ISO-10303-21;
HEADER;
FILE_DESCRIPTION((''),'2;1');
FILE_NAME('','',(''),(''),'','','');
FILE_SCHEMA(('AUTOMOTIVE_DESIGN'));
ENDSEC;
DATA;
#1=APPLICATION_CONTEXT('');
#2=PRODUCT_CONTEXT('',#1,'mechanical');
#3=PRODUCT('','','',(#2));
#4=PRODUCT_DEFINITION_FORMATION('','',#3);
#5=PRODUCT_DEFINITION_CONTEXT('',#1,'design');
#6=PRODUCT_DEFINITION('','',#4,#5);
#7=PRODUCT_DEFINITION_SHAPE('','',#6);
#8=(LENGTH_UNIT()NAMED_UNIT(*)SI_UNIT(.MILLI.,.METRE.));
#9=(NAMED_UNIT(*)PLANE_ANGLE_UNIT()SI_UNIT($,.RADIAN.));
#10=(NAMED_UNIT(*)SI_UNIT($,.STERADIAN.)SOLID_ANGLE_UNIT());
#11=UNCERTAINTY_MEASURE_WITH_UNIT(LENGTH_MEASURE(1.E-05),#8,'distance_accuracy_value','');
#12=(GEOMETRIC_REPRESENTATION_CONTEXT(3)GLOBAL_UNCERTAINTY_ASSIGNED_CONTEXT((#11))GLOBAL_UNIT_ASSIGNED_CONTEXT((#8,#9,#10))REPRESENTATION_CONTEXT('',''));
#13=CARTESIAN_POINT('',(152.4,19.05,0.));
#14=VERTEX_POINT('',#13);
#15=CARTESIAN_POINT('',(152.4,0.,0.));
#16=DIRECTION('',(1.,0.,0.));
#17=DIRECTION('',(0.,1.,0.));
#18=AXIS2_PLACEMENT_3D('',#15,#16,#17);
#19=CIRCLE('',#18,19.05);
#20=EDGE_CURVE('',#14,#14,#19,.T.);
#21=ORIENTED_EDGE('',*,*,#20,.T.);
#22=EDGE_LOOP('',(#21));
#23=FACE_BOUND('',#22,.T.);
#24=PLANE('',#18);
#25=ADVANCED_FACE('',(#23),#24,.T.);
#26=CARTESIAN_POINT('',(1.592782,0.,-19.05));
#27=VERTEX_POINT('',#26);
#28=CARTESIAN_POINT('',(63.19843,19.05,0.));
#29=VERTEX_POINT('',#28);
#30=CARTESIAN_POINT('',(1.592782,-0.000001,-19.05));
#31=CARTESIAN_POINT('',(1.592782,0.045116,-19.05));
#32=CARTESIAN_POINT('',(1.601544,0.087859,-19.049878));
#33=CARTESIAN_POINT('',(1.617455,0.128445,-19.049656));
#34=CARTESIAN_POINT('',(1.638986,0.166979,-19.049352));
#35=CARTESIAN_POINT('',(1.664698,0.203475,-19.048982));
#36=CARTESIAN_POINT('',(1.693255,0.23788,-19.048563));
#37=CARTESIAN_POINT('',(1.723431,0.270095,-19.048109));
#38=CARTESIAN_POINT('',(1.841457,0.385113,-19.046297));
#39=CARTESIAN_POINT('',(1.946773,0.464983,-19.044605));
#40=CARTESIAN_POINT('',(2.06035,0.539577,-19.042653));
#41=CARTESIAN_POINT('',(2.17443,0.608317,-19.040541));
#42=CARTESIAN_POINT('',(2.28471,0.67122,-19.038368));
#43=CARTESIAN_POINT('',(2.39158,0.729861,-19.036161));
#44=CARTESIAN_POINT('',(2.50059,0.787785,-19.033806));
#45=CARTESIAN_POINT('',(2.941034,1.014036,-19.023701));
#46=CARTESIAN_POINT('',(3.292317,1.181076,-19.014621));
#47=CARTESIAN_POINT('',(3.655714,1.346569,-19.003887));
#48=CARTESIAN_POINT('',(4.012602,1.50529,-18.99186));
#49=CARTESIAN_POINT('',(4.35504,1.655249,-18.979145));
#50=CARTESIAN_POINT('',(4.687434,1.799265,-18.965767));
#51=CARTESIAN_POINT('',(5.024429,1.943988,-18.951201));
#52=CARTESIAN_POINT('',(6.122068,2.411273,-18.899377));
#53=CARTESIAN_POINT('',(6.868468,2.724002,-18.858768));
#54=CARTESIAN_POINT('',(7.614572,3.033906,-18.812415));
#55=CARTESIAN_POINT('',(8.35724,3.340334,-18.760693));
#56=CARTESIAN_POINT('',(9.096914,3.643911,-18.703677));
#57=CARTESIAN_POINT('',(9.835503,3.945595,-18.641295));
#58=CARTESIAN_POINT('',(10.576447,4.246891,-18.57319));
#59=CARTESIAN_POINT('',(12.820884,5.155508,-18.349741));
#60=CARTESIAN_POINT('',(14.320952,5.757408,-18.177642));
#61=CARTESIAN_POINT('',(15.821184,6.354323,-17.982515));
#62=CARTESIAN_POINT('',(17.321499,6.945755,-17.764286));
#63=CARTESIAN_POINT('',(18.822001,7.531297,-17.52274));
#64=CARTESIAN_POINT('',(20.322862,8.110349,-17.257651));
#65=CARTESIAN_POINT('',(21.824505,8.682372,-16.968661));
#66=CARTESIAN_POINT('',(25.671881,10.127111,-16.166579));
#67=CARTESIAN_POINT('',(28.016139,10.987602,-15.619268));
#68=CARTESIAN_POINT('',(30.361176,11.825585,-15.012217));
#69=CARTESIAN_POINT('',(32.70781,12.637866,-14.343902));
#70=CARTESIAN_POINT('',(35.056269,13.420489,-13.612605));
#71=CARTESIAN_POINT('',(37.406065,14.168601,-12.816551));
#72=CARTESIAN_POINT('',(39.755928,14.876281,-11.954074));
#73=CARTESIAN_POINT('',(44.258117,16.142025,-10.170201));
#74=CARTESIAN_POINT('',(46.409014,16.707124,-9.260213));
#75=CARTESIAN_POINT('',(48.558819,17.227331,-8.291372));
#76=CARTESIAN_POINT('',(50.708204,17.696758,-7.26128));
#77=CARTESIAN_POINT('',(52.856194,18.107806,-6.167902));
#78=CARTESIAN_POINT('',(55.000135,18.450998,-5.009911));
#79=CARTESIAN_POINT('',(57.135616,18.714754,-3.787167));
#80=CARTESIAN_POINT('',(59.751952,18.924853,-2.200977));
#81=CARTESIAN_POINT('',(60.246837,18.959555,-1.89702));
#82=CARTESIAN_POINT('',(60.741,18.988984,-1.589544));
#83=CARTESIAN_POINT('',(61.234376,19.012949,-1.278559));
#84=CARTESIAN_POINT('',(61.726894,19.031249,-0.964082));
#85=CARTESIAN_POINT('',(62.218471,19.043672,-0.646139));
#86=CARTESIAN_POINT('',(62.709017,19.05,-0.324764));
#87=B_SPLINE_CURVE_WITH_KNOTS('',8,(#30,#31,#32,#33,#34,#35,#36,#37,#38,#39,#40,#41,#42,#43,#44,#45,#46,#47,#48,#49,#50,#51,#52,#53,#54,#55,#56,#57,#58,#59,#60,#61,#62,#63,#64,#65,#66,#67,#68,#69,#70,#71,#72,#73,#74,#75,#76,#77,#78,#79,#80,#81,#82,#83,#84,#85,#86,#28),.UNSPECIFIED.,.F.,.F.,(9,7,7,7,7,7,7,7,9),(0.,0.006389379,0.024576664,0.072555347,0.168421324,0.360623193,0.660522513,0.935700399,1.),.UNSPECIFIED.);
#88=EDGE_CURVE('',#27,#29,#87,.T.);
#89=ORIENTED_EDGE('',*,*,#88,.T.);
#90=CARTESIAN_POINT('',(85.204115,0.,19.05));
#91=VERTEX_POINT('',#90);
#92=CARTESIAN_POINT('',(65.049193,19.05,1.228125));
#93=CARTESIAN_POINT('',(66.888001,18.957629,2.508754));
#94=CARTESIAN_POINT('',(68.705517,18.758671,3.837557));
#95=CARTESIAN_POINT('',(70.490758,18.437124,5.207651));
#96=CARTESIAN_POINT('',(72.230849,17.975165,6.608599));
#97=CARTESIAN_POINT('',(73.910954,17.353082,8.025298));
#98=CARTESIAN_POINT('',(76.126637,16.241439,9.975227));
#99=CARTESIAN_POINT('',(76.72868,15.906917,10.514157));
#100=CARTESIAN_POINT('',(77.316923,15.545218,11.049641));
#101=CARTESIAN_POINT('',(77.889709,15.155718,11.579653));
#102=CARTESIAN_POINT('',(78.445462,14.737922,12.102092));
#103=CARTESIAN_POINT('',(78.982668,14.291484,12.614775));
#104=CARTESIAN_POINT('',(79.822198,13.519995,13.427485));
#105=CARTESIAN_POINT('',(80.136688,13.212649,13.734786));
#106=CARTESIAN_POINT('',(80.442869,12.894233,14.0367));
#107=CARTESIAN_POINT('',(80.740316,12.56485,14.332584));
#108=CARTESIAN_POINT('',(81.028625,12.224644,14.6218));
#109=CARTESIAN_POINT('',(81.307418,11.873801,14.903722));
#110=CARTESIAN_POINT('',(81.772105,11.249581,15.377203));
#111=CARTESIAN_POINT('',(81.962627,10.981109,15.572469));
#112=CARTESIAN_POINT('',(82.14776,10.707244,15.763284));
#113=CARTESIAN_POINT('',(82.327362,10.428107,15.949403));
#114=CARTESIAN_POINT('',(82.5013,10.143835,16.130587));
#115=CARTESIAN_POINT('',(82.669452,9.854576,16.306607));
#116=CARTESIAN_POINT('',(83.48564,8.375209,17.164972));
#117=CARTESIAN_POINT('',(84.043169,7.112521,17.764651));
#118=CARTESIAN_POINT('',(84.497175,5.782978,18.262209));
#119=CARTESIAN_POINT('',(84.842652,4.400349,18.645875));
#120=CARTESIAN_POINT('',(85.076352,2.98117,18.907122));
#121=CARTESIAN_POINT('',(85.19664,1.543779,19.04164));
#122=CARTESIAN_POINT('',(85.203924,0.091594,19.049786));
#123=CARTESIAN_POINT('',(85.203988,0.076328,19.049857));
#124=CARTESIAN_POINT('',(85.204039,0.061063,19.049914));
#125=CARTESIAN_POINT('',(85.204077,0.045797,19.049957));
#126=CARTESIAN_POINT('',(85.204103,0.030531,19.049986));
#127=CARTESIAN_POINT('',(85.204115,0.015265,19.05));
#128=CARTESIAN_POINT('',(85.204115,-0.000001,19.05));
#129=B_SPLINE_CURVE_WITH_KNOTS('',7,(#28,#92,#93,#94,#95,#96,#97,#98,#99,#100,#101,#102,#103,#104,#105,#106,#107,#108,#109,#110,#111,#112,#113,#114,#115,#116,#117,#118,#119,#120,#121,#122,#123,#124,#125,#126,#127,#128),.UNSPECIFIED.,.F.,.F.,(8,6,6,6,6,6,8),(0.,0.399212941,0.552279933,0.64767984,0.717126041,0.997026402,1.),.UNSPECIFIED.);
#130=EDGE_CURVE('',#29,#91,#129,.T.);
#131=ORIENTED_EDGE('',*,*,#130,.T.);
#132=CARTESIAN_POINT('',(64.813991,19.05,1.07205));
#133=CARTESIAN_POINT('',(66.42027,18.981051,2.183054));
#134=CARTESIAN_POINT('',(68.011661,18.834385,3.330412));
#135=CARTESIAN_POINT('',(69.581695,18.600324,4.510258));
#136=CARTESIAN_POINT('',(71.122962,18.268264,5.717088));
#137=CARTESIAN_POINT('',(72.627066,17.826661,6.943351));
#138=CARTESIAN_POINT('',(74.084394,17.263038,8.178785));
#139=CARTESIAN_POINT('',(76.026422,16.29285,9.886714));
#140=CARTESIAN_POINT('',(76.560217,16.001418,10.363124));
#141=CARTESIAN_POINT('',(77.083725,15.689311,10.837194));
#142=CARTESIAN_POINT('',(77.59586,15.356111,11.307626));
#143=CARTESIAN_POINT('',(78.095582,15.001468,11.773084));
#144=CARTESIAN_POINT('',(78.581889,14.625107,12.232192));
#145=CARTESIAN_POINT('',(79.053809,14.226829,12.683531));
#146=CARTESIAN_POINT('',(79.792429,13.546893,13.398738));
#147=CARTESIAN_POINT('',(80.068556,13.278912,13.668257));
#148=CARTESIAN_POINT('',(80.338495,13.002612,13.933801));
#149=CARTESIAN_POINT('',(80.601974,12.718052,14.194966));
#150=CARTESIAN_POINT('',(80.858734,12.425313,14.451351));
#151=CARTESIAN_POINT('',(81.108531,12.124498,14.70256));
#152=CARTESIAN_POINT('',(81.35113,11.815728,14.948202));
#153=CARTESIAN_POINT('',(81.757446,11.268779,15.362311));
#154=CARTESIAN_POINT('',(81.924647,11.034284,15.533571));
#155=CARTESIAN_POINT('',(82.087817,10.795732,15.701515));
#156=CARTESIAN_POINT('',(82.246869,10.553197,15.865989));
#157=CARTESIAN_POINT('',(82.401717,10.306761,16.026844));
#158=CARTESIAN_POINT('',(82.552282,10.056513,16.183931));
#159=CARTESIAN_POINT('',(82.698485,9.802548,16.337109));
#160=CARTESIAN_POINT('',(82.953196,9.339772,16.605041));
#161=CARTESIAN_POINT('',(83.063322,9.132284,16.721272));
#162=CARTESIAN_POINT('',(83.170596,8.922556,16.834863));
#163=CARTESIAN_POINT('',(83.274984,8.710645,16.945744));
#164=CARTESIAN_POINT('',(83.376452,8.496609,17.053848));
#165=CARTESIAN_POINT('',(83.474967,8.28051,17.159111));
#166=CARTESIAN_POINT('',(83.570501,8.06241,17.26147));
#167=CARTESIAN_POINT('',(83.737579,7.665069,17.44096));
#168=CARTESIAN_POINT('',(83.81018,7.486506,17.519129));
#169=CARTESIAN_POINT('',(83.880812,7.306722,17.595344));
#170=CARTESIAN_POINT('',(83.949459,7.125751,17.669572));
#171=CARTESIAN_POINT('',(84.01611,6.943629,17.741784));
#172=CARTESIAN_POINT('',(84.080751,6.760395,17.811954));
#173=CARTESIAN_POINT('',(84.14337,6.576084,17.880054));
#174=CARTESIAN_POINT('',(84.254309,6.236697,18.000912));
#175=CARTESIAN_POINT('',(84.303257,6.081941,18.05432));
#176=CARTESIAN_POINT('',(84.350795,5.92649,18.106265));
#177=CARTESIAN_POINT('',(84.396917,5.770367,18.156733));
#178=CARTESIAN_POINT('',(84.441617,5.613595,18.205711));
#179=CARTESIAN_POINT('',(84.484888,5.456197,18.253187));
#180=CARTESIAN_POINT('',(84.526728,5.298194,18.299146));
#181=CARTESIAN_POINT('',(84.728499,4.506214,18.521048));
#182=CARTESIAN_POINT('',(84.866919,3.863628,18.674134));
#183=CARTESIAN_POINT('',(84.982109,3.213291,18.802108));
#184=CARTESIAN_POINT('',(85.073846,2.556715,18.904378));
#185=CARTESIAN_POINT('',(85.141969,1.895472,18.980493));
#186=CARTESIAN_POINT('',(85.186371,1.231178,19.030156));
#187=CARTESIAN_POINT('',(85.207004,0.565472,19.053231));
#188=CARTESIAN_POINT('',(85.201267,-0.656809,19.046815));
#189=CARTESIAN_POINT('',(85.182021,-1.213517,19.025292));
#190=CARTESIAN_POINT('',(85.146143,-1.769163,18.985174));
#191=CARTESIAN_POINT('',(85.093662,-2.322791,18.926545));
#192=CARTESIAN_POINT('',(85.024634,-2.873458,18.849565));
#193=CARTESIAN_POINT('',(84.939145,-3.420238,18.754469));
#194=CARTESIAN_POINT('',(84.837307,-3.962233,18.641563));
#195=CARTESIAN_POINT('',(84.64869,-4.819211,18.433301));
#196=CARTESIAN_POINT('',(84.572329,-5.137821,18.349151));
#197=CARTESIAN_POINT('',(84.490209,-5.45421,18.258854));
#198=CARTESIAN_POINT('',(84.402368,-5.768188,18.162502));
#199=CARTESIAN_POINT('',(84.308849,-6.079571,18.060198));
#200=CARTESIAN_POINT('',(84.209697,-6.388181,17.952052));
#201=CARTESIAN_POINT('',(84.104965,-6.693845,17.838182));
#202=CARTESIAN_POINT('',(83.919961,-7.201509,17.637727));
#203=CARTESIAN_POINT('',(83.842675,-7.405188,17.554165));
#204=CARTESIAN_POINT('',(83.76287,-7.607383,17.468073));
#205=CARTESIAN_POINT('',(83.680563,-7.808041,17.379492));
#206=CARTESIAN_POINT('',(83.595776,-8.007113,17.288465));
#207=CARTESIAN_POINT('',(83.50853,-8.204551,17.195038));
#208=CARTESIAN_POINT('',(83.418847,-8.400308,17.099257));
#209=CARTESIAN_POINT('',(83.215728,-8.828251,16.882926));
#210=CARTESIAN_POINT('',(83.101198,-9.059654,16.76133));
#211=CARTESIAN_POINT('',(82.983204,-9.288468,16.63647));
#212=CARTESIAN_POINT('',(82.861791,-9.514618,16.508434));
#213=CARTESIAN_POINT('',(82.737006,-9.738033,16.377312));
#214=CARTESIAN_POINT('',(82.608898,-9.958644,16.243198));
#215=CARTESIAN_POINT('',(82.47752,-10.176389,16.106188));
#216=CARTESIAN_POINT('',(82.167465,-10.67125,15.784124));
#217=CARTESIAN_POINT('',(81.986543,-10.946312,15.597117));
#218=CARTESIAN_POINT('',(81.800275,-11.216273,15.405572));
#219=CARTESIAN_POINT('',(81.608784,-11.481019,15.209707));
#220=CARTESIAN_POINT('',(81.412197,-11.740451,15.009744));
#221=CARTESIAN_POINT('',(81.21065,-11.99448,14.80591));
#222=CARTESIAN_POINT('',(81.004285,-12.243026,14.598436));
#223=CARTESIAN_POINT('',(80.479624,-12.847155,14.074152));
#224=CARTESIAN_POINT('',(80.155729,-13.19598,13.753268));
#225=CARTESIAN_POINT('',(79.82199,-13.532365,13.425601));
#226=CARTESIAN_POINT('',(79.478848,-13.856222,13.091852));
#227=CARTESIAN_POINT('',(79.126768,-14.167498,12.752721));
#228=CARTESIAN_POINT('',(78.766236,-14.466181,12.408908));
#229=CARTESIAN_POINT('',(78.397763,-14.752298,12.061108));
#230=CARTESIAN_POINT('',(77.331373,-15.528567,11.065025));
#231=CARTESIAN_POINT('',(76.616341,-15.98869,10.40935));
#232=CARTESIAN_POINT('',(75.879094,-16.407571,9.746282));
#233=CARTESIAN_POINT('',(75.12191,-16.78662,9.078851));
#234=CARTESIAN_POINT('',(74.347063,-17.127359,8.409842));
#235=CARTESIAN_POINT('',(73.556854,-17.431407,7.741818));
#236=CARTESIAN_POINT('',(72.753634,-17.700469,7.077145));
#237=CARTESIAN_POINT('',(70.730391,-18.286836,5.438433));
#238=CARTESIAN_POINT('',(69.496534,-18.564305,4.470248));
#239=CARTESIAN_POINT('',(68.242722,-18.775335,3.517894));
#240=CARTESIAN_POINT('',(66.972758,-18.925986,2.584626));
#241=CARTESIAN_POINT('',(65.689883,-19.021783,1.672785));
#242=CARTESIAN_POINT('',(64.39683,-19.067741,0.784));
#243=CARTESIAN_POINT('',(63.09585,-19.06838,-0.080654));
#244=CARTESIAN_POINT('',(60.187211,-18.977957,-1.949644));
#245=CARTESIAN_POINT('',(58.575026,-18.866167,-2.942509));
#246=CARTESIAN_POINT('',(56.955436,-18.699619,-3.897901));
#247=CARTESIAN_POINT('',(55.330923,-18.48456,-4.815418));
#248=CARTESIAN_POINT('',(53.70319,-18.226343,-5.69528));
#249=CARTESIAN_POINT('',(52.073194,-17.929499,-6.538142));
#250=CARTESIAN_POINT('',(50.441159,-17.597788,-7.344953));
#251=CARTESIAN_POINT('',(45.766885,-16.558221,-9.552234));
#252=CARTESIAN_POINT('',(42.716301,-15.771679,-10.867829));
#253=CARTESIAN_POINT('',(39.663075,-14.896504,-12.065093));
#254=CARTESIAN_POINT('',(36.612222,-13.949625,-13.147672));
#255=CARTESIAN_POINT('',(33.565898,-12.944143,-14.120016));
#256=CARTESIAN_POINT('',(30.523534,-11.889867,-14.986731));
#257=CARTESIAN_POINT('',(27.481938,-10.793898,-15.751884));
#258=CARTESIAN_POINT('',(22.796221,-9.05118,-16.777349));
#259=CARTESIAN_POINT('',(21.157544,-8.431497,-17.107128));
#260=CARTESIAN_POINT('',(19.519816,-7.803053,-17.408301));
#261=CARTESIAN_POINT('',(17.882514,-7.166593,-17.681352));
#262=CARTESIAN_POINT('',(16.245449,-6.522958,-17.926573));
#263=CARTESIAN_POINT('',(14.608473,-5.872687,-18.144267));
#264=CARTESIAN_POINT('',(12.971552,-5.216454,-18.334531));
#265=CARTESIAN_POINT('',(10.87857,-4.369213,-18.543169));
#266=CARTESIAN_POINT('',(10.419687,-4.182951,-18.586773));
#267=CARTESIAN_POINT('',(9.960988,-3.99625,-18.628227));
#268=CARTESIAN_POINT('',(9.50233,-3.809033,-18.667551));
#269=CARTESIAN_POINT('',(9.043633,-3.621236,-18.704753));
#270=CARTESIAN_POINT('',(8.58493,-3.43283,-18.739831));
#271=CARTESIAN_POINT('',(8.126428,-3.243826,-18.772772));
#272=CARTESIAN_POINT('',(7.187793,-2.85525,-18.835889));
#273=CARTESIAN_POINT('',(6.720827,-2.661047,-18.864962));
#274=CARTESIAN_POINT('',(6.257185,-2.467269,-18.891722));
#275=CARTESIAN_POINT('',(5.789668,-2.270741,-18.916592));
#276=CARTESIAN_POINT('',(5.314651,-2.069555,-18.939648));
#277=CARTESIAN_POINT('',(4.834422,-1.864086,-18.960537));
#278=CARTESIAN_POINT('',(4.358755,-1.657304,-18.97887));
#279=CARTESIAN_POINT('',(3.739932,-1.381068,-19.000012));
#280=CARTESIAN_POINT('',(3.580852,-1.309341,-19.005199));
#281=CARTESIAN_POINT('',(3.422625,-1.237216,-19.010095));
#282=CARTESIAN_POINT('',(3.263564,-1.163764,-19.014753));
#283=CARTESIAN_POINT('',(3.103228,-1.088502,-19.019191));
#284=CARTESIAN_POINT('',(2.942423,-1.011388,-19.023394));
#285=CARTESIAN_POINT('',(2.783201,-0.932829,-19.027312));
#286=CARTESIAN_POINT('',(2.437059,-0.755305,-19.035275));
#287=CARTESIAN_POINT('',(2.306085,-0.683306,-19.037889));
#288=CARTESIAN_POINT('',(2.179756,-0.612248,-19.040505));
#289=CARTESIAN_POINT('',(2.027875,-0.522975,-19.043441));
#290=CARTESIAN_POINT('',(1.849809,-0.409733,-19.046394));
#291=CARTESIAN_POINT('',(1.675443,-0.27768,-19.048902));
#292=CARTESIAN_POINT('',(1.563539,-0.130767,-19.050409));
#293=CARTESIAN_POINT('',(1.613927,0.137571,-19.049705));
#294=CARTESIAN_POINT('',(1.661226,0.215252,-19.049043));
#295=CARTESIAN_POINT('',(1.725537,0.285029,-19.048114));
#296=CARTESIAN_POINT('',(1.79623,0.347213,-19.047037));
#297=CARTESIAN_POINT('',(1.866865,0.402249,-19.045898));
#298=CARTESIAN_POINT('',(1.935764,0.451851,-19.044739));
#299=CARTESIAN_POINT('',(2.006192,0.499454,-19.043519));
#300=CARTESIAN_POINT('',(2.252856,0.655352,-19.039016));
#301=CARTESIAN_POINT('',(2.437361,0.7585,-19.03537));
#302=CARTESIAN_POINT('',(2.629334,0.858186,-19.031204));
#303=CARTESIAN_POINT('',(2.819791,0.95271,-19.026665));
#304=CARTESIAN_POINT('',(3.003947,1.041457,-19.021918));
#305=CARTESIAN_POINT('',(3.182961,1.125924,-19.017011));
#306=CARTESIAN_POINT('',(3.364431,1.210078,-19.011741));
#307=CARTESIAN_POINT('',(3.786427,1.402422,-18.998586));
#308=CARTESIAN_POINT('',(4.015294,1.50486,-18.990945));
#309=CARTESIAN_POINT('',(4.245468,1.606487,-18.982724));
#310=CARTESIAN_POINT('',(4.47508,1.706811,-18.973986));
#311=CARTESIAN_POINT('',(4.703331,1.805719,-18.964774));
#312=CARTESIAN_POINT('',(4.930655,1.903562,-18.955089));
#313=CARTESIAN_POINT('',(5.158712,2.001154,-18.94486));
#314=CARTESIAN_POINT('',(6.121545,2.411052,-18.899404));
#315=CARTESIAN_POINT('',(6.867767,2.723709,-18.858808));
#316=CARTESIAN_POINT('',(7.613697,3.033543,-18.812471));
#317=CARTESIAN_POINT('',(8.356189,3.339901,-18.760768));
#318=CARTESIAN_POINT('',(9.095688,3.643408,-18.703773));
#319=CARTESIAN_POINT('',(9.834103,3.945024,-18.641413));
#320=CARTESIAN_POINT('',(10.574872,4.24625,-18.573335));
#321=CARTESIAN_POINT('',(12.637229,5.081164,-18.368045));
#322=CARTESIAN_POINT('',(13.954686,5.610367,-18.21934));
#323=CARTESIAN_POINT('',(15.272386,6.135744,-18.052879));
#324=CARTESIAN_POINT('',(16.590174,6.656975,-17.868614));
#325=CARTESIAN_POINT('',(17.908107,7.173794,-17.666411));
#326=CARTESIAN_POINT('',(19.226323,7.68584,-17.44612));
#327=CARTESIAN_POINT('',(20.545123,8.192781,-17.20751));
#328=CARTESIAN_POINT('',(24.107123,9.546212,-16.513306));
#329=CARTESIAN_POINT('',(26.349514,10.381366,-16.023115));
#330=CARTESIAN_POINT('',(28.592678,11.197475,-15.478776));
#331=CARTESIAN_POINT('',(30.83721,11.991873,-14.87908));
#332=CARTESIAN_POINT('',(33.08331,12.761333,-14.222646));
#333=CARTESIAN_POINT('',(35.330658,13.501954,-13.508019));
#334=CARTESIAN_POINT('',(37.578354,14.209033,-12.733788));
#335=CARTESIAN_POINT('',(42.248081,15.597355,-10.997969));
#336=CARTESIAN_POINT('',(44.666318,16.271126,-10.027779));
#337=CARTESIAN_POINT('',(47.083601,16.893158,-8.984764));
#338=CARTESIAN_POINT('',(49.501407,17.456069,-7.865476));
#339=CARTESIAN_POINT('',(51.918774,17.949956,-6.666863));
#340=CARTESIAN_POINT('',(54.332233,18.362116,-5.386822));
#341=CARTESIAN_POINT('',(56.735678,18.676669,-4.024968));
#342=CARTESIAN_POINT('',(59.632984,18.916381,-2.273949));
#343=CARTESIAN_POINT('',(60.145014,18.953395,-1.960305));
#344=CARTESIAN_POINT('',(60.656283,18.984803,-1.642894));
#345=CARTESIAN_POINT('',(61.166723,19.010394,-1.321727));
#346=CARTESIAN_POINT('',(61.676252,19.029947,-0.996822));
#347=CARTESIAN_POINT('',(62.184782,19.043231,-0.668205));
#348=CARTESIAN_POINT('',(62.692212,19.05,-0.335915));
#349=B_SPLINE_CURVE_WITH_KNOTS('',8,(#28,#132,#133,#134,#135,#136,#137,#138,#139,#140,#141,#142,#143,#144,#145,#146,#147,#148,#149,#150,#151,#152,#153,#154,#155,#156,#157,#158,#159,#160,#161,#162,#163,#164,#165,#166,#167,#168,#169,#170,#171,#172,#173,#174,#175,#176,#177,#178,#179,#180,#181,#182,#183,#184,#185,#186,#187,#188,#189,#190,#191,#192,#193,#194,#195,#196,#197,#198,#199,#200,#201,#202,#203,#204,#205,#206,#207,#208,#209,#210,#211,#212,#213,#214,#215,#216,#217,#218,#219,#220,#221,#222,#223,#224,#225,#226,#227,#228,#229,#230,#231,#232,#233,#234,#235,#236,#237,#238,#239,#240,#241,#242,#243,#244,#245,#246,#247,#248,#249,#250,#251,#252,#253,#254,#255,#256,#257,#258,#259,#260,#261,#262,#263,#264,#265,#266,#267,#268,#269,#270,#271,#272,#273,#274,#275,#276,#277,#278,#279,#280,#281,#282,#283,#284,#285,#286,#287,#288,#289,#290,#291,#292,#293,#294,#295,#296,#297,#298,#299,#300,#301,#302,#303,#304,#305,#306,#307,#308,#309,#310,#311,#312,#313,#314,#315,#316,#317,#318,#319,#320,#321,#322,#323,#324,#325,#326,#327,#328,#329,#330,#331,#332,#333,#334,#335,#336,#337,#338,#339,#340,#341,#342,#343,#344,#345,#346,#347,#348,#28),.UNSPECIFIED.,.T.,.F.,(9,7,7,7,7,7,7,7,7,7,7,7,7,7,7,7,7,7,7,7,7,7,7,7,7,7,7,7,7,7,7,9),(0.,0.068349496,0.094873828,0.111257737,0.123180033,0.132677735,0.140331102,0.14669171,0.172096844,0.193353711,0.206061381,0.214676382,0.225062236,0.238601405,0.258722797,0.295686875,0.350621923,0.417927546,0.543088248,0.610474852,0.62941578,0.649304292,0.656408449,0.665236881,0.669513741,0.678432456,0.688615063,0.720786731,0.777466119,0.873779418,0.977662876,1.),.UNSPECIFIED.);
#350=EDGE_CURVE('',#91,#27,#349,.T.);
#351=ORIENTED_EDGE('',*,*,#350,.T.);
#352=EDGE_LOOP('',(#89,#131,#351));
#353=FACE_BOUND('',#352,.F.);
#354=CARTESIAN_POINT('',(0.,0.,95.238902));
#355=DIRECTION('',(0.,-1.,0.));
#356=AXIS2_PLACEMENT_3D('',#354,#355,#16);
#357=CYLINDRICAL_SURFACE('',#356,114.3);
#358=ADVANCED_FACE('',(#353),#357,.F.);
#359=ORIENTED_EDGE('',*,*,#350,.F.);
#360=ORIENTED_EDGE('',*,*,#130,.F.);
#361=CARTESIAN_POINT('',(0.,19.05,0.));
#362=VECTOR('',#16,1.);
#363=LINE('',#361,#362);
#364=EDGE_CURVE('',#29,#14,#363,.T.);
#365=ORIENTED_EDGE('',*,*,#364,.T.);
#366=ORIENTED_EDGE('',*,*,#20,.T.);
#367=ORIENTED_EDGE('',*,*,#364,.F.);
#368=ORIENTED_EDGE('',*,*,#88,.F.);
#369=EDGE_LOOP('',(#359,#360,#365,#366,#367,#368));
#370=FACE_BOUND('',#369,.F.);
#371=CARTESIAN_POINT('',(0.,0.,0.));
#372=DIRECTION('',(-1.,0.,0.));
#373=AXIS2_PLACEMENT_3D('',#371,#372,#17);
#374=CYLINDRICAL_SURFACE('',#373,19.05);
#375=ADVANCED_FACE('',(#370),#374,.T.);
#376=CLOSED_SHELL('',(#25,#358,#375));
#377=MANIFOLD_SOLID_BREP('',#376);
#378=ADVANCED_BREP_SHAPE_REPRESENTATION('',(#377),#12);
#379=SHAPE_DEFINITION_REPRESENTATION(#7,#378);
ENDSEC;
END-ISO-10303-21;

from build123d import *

# Parameters (mm, degrees)
F0_R     = 19.05
F1_DEPTH = 152.4
F3_D     = 228.6
F3_DEPTH = 19.051
F4_D     = 228.6


with BuildPart() as f1:
    # F0 (on Right) → F1 (new body)
    with BuildSketch(Plane.YZ):
        Circle(F0_R)
    extrude(amount=F1_DEPTH)

    # F3 (through all, one way)
    with BuildSketch(Plane.XZ):
        with Locations((0, 95.2389016747)):
            Circle(F3_D / 2)
    extrude(amount=-F3_DEPTH, mode=Mode.SUBTRACT)

    # F4 (through all)
    with Locations(Plane(origin=(0, 0, 0), x_dir=(1, 0, 0), z_dir=(0, 1, 0))):
        with Locations((0, -95.2389016747)):
            Hole(F4_D / 2)


solid = f1.part
